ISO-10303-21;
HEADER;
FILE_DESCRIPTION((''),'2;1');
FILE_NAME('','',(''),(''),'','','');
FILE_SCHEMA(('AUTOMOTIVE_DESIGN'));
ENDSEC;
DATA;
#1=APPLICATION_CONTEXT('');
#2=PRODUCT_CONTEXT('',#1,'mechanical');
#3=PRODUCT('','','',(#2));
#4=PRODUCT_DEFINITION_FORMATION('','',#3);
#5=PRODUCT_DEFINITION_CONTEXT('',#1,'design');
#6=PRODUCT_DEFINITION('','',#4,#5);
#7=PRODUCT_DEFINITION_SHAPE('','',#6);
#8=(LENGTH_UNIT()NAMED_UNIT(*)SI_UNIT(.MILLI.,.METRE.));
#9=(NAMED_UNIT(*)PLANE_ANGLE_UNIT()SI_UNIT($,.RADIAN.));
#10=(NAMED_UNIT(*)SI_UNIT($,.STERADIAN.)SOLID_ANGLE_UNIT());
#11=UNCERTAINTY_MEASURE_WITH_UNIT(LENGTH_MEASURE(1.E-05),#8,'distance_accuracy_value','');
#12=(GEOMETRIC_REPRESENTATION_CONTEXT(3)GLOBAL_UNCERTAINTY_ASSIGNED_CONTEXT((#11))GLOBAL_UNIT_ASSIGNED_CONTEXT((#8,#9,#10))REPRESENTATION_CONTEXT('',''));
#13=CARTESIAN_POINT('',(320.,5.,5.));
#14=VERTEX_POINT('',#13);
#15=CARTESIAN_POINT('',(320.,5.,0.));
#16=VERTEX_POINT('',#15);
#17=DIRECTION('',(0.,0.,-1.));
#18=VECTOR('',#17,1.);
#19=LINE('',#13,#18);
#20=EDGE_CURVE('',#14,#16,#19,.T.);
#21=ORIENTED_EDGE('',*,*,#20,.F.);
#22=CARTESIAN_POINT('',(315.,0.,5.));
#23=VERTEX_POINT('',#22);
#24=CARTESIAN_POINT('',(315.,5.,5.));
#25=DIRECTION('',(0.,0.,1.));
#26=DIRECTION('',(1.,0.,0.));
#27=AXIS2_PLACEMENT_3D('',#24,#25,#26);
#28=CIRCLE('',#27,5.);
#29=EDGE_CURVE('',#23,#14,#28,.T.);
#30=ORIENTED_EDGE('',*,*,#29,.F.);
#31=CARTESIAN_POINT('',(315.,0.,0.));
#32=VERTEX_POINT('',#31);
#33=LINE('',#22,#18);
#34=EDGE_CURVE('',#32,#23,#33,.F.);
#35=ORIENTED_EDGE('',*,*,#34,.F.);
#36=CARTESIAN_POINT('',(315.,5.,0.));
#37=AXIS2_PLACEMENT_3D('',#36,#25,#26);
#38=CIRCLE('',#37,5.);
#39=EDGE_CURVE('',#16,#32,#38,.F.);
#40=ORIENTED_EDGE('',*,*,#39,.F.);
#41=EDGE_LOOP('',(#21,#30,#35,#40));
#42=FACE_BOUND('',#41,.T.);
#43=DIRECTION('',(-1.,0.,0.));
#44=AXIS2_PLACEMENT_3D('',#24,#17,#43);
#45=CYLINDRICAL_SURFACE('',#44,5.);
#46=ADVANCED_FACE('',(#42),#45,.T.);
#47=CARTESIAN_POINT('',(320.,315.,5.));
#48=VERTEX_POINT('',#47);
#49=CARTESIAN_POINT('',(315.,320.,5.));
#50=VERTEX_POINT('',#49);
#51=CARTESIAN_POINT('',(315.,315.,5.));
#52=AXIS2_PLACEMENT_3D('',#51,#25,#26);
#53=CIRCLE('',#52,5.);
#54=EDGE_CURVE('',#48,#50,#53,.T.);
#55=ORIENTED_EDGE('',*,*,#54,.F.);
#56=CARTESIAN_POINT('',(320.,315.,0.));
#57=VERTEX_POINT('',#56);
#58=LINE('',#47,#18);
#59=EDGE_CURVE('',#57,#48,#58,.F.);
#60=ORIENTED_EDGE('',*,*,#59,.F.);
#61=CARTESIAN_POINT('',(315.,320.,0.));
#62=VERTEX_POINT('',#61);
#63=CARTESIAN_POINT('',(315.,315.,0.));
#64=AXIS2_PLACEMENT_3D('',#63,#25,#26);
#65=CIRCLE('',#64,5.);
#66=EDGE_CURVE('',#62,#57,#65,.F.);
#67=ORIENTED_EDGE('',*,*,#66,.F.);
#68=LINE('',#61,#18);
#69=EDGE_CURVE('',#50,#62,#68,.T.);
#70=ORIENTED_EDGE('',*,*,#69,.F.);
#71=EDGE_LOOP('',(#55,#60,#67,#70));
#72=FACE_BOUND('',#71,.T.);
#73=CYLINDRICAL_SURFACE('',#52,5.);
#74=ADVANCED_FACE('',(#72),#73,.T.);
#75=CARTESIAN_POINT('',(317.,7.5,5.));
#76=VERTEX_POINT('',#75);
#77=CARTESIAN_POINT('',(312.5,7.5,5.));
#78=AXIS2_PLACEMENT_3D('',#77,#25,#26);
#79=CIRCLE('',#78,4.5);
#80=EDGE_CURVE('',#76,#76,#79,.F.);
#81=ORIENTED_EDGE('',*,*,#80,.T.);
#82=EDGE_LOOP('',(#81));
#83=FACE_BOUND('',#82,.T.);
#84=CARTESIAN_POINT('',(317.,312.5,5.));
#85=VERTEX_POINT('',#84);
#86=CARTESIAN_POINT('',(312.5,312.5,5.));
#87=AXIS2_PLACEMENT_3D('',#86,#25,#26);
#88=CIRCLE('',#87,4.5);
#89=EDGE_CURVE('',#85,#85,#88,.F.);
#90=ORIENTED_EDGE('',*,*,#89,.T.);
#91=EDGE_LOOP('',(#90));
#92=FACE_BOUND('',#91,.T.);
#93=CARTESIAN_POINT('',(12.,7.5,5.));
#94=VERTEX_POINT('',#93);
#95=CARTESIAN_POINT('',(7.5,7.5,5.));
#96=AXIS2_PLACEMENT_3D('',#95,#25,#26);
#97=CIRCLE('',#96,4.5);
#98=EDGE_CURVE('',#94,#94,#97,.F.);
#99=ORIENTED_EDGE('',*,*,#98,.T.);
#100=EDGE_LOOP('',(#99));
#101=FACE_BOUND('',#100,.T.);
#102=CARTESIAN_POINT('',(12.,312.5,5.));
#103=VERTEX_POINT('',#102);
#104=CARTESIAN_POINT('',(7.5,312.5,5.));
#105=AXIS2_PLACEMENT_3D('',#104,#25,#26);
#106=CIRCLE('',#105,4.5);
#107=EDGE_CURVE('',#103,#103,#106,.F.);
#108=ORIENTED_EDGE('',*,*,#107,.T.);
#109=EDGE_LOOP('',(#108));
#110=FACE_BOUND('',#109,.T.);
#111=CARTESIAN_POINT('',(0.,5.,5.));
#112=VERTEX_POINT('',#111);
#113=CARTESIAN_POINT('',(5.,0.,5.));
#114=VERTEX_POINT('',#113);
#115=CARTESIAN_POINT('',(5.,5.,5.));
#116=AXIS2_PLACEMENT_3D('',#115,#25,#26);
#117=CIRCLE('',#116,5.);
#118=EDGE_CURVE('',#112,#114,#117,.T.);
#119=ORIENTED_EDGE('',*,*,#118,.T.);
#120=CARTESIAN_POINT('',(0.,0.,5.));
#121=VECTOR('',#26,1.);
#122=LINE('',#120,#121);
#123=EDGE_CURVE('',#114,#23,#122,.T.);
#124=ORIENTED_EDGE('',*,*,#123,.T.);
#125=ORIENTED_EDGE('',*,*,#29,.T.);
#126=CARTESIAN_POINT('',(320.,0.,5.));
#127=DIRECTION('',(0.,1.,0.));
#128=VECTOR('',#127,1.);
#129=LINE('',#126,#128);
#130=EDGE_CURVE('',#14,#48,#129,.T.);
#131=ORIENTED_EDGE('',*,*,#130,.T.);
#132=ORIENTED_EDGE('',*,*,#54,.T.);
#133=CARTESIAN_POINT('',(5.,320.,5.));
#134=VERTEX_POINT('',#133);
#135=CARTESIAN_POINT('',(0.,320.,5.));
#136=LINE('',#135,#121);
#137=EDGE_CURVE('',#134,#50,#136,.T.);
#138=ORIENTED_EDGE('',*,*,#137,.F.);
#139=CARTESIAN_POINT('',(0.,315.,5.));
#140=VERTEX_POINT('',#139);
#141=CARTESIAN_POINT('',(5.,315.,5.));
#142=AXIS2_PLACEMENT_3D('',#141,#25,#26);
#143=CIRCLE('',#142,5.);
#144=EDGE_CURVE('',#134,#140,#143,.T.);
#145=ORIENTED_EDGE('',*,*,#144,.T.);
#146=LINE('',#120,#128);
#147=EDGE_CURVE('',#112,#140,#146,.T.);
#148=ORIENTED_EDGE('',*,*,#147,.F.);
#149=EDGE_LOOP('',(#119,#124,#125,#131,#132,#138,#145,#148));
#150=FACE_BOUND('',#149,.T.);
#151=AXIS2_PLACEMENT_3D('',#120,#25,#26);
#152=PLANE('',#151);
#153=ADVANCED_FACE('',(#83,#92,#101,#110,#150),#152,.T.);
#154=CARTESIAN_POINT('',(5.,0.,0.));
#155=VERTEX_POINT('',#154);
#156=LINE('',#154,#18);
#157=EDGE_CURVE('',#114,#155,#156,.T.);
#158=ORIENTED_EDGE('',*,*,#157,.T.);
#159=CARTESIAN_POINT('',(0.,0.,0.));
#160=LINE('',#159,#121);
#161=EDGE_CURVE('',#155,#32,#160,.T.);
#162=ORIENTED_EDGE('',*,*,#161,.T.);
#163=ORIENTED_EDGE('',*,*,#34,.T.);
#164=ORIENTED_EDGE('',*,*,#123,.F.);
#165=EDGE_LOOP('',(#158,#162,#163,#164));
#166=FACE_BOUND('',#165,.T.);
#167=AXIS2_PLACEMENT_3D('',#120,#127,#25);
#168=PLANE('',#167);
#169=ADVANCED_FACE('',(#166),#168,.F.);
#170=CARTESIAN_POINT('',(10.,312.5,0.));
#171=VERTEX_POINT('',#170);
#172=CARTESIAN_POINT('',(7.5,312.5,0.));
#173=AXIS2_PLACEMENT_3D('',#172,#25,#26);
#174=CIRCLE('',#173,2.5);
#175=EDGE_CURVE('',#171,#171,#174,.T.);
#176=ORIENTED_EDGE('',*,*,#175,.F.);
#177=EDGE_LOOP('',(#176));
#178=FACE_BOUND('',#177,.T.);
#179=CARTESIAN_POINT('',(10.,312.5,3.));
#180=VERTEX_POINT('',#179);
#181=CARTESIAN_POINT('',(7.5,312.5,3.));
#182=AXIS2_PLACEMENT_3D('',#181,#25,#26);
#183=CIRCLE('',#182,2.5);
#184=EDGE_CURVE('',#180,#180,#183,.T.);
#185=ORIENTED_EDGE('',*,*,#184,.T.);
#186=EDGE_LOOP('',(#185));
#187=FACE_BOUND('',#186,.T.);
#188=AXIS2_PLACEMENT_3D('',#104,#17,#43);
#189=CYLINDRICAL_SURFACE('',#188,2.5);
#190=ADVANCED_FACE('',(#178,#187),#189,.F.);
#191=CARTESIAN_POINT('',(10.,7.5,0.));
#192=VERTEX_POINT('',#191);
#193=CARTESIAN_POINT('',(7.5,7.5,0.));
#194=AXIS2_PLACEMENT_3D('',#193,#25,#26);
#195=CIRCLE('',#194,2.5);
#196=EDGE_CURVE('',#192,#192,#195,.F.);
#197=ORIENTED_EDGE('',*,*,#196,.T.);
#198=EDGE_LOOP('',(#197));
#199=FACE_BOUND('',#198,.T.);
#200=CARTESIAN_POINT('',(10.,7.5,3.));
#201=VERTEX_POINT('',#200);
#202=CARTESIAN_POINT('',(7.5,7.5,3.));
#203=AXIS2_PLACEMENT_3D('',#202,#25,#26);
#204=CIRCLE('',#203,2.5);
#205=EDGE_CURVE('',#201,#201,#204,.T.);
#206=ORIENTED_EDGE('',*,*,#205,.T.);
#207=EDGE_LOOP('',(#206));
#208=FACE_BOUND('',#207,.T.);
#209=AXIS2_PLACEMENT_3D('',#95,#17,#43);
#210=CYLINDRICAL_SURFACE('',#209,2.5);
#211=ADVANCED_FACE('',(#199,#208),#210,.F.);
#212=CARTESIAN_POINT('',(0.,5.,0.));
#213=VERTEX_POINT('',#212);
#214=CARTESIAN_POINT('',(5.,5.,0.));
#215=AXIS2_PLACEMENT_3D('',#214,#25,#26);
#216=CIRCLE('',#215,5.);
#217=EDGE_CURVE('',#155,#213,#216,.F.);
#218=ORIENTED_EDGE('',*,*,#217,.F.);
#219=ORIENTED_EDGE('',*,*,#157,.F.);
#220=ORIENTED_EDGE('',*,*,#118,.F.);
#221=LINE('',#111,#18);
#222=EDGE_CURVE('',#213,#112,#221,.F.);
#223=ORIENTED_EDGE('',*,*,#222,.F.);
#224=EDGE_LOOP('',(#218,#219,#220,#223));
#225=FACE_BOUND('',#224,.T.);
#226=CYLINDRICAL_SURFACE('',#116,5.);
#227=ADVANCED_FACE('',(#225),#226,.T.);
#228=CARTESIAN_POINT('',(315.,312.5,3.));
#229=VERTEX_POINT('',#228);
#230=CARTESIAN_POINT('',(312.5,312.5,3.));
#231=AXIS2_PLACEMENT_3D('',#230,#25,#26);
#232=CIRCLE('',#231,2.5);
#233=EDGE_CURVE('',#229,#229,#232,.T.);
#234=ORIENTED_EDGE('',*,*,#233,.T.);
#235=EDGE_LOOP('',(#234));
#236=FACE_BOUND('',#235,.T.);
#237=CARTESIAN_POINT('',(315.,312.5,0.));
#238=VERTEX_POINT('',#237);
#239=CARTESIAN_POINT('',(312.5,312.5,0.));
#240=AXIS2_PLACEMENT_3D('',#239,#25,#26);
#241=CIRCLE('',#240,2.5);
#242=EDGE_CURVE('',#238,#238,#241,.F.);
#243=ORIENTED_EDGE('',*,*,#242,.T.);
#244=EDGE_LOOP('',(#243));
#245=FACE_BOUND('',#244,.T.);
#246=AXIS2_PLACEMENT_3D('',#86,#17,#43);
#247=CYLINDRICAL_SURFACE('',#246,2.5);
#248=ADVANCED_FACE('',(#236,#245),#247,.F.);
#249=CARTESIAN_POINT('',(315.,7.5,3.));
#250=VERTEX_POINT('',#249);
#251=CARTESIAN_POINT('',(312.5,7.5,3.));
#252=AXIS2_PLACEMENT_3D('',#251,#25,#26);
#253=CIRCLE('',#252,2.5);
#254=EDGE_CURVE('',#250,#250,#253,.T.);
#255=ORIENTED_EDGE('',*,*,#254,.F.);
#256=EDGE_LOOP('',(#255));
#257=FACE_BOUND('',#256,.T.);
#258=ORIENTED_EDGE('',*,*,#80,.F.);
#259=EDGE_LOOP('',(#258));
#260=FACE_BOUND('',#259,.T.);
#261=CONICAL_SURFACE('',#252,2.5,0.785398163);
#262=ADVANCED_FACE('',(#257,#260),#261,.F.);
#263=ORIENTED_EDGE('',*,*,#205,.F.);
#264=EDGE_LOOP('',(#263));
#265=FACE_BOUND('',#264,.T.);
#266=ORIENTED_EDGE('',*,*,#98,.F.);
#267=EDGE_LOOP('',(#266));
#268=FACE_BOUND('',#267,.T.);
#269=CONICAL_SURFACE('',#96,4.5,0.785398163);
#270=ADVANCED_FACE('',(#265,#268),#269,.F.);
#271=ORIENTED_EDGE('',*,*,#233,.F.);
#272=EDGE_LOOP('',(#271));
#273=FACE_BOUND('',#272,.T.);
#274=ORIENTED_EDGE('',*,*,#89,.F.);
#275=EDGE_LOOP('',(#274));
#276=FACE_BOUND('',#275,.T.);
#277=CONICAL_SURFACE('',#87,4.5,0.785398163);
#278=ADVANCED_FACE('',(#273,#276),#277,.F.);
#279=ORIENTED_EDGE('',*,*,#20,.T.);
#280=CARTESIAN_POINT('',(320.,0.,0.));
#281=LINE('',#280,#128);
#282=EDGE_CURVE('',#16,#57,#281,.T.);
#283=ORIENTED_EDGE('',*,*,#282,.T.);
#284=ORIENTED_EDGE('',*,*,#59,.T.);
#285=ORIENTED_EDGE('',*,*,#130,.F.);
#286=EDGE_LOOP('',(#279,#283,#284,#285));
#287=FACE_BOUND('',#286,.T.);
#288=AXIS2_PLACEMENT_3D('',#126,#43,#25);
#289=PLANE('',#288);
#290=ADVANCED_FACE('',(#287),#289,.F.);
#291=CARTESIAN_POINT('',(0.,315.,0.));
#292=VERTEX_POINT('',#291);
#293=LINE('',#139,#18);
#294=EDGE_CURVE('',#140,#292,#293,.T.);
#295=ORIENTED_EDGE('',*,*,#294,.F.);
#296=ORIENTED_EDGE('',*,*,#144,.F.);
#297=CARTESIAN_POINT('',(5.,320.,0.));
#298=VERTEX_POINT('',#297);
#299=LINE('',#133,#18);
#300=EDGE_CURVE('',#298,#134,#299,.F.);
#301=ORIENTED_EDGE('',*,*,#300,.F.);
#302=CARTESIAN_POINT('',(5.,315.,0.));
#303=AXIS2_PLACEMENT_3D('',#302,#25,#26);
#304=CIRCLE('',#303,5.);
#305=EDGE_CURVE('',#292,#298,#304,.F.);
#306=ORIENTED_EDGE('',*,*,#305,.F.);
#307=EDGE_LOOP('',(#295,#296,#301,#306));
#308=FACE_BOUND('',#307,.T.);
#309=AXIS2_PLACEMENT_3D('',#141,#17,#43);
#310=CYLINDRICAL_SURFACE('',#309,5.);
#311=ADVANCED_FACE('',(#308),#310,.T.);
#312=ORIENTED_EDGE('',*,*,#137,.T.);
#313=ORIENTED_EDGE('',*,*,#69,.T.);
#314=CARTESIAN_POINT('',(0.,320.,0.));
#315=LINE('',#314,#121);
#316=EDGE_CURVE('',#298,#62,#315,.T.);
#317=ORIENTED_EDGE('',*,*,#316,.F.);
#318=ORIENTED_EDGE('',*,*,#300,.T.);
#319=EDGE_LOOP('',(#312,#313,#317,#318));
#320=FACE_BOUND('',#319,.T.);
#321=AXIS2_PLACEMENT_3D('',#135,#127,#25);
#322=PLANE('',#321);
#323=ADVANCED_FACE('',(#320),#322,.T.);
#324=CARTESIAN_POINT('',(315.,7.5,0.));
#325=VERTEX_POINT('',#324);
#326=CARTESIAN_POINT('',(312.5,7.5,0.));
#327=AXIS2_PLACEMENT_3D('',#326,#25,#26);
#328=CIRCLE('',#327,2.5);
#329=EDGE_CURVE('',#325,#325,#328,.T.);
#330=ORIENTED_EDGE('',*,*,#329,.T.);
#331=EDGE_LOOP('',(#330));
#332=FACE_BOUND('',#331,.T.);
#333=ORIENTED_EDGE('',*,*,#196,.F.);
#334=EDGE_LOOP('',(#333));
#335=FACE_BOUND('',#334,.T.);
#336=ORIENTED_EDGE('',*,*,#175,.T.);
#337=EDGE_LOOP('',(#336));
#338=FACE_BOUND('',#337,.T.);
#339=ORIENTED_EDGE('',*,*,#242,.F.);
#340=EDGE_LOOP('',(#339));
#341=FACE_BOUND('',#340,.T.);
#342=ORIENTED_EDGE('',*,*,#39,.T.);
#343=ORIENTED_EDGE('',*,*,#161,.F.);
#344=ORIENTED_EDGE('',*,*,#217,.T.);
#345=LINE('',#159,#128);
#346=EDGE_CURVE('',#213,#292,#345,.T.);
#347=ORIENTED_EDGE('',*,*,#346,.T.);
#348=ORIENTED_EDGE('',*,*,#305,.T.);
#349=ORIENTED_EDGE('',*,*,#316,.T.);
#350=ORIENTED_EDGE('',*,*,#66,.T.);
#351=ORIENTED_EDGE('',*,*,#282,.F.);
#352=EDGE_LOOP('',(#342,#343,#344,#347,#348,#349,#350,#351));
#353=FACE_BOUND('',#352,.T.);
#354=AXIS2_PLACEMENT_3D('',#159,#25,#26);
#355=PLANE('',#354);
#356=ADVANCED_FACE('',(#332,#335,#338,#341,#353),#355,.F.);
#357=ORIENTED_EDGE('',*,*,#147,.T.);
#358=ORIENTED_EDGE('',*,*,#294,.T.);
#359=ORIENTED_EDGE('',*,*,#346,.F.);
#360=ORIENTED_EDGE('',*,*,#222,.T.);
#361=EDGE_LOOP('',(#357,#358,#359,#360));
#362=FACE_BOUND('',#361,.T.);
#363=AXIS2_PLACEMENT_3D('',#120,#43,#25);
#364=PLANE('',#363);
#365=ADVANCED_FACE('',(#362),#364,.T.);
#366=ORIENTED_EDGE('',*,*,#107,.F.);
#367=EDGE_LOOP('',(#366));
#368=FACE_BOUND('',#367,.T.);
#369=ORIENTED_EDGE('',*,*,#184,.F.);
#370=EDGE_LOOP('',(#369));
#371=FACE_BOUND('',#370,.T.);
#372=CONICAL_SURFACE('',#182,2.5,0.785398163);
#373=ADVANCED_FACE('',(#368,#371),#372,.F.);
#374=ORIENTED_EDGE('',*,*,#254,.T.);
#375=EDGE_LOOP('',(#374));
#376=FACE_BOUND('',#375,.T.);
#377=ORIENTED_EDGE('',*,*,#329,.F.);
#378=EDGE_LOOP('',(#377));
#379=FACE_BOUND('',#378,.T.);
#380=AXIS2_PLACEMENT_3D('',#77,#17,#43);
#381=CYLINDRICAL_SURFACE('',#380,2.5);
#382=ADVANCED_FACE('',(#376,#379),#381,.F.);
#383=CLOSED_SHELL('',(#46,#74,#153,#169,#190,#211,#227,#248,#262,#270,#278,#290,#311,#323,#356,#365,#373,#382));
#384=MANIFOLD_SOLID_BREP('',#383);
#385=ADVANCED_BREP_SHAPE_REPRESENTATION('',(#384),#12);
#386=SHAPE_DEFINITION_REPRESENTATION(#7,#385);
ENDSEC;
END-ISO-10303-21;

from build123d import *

# Parameters (mm, degrees)
ESQUISSE1_W        = 320
ESQUISSE1_H        = 320
ESQUISSE1_R        = 2.5
BOSS_EXTRU_1_DEPTH = 5
CONG_1_R           = 5
CHANFREIN1_SIZE    = 2


with BuildPart() as part:
    # Esquisse1 → Boss.-Extru.1 (new body)
    with BuildSketch(Plane.XY):
        with Locations((160, 160)):
            Rectangle(ESQUISSE1_W, ESQUISSE1_H)
        with Locations((7.5, 312.5)):
            Circle(ESQUISSE1_R, mode=Mode.SUBTRACT)
        with Locations((312.5, 312.5)):
            Circle(ESQUISSE1_R, mode=Mode.SUBTRACT)
        with Locations((7.5, 7.5)):
            Circle(ESQUISSE1_R, mode=Mode.SUBTRACT)
        with Locations((312.5, 7.5)):
            Circle(ESQUISSE1_R, mode=Mode.SUBTRACT)
    extrude(amount=BOSS_EXTRU_1_DEPTH)

    # Congé1
    cong_1_edges = [part.edges().sort_by_distance(p)[0] for p in [
        (0, 0, 2.5),
        (0, 320, 2.5),
        (320, 320, 2.5),
        (320, 0, 2.5),
    ]]
    fillet(cong_1_edges, radius=CONG_1_R)

    # Chanfrein1
    chanfrein1_edges = [part.edges().sort_by_distance(p)[0] for p in [
        (310, 312.5, 5),
        (5, 312.5, 5),
        (5, 7.5, 5),
        (310, 7.5, 5),
    ]]
    chamfer(chanfrein1_edges, length=CHANFREIN1_SIZE)


solid = part.part
